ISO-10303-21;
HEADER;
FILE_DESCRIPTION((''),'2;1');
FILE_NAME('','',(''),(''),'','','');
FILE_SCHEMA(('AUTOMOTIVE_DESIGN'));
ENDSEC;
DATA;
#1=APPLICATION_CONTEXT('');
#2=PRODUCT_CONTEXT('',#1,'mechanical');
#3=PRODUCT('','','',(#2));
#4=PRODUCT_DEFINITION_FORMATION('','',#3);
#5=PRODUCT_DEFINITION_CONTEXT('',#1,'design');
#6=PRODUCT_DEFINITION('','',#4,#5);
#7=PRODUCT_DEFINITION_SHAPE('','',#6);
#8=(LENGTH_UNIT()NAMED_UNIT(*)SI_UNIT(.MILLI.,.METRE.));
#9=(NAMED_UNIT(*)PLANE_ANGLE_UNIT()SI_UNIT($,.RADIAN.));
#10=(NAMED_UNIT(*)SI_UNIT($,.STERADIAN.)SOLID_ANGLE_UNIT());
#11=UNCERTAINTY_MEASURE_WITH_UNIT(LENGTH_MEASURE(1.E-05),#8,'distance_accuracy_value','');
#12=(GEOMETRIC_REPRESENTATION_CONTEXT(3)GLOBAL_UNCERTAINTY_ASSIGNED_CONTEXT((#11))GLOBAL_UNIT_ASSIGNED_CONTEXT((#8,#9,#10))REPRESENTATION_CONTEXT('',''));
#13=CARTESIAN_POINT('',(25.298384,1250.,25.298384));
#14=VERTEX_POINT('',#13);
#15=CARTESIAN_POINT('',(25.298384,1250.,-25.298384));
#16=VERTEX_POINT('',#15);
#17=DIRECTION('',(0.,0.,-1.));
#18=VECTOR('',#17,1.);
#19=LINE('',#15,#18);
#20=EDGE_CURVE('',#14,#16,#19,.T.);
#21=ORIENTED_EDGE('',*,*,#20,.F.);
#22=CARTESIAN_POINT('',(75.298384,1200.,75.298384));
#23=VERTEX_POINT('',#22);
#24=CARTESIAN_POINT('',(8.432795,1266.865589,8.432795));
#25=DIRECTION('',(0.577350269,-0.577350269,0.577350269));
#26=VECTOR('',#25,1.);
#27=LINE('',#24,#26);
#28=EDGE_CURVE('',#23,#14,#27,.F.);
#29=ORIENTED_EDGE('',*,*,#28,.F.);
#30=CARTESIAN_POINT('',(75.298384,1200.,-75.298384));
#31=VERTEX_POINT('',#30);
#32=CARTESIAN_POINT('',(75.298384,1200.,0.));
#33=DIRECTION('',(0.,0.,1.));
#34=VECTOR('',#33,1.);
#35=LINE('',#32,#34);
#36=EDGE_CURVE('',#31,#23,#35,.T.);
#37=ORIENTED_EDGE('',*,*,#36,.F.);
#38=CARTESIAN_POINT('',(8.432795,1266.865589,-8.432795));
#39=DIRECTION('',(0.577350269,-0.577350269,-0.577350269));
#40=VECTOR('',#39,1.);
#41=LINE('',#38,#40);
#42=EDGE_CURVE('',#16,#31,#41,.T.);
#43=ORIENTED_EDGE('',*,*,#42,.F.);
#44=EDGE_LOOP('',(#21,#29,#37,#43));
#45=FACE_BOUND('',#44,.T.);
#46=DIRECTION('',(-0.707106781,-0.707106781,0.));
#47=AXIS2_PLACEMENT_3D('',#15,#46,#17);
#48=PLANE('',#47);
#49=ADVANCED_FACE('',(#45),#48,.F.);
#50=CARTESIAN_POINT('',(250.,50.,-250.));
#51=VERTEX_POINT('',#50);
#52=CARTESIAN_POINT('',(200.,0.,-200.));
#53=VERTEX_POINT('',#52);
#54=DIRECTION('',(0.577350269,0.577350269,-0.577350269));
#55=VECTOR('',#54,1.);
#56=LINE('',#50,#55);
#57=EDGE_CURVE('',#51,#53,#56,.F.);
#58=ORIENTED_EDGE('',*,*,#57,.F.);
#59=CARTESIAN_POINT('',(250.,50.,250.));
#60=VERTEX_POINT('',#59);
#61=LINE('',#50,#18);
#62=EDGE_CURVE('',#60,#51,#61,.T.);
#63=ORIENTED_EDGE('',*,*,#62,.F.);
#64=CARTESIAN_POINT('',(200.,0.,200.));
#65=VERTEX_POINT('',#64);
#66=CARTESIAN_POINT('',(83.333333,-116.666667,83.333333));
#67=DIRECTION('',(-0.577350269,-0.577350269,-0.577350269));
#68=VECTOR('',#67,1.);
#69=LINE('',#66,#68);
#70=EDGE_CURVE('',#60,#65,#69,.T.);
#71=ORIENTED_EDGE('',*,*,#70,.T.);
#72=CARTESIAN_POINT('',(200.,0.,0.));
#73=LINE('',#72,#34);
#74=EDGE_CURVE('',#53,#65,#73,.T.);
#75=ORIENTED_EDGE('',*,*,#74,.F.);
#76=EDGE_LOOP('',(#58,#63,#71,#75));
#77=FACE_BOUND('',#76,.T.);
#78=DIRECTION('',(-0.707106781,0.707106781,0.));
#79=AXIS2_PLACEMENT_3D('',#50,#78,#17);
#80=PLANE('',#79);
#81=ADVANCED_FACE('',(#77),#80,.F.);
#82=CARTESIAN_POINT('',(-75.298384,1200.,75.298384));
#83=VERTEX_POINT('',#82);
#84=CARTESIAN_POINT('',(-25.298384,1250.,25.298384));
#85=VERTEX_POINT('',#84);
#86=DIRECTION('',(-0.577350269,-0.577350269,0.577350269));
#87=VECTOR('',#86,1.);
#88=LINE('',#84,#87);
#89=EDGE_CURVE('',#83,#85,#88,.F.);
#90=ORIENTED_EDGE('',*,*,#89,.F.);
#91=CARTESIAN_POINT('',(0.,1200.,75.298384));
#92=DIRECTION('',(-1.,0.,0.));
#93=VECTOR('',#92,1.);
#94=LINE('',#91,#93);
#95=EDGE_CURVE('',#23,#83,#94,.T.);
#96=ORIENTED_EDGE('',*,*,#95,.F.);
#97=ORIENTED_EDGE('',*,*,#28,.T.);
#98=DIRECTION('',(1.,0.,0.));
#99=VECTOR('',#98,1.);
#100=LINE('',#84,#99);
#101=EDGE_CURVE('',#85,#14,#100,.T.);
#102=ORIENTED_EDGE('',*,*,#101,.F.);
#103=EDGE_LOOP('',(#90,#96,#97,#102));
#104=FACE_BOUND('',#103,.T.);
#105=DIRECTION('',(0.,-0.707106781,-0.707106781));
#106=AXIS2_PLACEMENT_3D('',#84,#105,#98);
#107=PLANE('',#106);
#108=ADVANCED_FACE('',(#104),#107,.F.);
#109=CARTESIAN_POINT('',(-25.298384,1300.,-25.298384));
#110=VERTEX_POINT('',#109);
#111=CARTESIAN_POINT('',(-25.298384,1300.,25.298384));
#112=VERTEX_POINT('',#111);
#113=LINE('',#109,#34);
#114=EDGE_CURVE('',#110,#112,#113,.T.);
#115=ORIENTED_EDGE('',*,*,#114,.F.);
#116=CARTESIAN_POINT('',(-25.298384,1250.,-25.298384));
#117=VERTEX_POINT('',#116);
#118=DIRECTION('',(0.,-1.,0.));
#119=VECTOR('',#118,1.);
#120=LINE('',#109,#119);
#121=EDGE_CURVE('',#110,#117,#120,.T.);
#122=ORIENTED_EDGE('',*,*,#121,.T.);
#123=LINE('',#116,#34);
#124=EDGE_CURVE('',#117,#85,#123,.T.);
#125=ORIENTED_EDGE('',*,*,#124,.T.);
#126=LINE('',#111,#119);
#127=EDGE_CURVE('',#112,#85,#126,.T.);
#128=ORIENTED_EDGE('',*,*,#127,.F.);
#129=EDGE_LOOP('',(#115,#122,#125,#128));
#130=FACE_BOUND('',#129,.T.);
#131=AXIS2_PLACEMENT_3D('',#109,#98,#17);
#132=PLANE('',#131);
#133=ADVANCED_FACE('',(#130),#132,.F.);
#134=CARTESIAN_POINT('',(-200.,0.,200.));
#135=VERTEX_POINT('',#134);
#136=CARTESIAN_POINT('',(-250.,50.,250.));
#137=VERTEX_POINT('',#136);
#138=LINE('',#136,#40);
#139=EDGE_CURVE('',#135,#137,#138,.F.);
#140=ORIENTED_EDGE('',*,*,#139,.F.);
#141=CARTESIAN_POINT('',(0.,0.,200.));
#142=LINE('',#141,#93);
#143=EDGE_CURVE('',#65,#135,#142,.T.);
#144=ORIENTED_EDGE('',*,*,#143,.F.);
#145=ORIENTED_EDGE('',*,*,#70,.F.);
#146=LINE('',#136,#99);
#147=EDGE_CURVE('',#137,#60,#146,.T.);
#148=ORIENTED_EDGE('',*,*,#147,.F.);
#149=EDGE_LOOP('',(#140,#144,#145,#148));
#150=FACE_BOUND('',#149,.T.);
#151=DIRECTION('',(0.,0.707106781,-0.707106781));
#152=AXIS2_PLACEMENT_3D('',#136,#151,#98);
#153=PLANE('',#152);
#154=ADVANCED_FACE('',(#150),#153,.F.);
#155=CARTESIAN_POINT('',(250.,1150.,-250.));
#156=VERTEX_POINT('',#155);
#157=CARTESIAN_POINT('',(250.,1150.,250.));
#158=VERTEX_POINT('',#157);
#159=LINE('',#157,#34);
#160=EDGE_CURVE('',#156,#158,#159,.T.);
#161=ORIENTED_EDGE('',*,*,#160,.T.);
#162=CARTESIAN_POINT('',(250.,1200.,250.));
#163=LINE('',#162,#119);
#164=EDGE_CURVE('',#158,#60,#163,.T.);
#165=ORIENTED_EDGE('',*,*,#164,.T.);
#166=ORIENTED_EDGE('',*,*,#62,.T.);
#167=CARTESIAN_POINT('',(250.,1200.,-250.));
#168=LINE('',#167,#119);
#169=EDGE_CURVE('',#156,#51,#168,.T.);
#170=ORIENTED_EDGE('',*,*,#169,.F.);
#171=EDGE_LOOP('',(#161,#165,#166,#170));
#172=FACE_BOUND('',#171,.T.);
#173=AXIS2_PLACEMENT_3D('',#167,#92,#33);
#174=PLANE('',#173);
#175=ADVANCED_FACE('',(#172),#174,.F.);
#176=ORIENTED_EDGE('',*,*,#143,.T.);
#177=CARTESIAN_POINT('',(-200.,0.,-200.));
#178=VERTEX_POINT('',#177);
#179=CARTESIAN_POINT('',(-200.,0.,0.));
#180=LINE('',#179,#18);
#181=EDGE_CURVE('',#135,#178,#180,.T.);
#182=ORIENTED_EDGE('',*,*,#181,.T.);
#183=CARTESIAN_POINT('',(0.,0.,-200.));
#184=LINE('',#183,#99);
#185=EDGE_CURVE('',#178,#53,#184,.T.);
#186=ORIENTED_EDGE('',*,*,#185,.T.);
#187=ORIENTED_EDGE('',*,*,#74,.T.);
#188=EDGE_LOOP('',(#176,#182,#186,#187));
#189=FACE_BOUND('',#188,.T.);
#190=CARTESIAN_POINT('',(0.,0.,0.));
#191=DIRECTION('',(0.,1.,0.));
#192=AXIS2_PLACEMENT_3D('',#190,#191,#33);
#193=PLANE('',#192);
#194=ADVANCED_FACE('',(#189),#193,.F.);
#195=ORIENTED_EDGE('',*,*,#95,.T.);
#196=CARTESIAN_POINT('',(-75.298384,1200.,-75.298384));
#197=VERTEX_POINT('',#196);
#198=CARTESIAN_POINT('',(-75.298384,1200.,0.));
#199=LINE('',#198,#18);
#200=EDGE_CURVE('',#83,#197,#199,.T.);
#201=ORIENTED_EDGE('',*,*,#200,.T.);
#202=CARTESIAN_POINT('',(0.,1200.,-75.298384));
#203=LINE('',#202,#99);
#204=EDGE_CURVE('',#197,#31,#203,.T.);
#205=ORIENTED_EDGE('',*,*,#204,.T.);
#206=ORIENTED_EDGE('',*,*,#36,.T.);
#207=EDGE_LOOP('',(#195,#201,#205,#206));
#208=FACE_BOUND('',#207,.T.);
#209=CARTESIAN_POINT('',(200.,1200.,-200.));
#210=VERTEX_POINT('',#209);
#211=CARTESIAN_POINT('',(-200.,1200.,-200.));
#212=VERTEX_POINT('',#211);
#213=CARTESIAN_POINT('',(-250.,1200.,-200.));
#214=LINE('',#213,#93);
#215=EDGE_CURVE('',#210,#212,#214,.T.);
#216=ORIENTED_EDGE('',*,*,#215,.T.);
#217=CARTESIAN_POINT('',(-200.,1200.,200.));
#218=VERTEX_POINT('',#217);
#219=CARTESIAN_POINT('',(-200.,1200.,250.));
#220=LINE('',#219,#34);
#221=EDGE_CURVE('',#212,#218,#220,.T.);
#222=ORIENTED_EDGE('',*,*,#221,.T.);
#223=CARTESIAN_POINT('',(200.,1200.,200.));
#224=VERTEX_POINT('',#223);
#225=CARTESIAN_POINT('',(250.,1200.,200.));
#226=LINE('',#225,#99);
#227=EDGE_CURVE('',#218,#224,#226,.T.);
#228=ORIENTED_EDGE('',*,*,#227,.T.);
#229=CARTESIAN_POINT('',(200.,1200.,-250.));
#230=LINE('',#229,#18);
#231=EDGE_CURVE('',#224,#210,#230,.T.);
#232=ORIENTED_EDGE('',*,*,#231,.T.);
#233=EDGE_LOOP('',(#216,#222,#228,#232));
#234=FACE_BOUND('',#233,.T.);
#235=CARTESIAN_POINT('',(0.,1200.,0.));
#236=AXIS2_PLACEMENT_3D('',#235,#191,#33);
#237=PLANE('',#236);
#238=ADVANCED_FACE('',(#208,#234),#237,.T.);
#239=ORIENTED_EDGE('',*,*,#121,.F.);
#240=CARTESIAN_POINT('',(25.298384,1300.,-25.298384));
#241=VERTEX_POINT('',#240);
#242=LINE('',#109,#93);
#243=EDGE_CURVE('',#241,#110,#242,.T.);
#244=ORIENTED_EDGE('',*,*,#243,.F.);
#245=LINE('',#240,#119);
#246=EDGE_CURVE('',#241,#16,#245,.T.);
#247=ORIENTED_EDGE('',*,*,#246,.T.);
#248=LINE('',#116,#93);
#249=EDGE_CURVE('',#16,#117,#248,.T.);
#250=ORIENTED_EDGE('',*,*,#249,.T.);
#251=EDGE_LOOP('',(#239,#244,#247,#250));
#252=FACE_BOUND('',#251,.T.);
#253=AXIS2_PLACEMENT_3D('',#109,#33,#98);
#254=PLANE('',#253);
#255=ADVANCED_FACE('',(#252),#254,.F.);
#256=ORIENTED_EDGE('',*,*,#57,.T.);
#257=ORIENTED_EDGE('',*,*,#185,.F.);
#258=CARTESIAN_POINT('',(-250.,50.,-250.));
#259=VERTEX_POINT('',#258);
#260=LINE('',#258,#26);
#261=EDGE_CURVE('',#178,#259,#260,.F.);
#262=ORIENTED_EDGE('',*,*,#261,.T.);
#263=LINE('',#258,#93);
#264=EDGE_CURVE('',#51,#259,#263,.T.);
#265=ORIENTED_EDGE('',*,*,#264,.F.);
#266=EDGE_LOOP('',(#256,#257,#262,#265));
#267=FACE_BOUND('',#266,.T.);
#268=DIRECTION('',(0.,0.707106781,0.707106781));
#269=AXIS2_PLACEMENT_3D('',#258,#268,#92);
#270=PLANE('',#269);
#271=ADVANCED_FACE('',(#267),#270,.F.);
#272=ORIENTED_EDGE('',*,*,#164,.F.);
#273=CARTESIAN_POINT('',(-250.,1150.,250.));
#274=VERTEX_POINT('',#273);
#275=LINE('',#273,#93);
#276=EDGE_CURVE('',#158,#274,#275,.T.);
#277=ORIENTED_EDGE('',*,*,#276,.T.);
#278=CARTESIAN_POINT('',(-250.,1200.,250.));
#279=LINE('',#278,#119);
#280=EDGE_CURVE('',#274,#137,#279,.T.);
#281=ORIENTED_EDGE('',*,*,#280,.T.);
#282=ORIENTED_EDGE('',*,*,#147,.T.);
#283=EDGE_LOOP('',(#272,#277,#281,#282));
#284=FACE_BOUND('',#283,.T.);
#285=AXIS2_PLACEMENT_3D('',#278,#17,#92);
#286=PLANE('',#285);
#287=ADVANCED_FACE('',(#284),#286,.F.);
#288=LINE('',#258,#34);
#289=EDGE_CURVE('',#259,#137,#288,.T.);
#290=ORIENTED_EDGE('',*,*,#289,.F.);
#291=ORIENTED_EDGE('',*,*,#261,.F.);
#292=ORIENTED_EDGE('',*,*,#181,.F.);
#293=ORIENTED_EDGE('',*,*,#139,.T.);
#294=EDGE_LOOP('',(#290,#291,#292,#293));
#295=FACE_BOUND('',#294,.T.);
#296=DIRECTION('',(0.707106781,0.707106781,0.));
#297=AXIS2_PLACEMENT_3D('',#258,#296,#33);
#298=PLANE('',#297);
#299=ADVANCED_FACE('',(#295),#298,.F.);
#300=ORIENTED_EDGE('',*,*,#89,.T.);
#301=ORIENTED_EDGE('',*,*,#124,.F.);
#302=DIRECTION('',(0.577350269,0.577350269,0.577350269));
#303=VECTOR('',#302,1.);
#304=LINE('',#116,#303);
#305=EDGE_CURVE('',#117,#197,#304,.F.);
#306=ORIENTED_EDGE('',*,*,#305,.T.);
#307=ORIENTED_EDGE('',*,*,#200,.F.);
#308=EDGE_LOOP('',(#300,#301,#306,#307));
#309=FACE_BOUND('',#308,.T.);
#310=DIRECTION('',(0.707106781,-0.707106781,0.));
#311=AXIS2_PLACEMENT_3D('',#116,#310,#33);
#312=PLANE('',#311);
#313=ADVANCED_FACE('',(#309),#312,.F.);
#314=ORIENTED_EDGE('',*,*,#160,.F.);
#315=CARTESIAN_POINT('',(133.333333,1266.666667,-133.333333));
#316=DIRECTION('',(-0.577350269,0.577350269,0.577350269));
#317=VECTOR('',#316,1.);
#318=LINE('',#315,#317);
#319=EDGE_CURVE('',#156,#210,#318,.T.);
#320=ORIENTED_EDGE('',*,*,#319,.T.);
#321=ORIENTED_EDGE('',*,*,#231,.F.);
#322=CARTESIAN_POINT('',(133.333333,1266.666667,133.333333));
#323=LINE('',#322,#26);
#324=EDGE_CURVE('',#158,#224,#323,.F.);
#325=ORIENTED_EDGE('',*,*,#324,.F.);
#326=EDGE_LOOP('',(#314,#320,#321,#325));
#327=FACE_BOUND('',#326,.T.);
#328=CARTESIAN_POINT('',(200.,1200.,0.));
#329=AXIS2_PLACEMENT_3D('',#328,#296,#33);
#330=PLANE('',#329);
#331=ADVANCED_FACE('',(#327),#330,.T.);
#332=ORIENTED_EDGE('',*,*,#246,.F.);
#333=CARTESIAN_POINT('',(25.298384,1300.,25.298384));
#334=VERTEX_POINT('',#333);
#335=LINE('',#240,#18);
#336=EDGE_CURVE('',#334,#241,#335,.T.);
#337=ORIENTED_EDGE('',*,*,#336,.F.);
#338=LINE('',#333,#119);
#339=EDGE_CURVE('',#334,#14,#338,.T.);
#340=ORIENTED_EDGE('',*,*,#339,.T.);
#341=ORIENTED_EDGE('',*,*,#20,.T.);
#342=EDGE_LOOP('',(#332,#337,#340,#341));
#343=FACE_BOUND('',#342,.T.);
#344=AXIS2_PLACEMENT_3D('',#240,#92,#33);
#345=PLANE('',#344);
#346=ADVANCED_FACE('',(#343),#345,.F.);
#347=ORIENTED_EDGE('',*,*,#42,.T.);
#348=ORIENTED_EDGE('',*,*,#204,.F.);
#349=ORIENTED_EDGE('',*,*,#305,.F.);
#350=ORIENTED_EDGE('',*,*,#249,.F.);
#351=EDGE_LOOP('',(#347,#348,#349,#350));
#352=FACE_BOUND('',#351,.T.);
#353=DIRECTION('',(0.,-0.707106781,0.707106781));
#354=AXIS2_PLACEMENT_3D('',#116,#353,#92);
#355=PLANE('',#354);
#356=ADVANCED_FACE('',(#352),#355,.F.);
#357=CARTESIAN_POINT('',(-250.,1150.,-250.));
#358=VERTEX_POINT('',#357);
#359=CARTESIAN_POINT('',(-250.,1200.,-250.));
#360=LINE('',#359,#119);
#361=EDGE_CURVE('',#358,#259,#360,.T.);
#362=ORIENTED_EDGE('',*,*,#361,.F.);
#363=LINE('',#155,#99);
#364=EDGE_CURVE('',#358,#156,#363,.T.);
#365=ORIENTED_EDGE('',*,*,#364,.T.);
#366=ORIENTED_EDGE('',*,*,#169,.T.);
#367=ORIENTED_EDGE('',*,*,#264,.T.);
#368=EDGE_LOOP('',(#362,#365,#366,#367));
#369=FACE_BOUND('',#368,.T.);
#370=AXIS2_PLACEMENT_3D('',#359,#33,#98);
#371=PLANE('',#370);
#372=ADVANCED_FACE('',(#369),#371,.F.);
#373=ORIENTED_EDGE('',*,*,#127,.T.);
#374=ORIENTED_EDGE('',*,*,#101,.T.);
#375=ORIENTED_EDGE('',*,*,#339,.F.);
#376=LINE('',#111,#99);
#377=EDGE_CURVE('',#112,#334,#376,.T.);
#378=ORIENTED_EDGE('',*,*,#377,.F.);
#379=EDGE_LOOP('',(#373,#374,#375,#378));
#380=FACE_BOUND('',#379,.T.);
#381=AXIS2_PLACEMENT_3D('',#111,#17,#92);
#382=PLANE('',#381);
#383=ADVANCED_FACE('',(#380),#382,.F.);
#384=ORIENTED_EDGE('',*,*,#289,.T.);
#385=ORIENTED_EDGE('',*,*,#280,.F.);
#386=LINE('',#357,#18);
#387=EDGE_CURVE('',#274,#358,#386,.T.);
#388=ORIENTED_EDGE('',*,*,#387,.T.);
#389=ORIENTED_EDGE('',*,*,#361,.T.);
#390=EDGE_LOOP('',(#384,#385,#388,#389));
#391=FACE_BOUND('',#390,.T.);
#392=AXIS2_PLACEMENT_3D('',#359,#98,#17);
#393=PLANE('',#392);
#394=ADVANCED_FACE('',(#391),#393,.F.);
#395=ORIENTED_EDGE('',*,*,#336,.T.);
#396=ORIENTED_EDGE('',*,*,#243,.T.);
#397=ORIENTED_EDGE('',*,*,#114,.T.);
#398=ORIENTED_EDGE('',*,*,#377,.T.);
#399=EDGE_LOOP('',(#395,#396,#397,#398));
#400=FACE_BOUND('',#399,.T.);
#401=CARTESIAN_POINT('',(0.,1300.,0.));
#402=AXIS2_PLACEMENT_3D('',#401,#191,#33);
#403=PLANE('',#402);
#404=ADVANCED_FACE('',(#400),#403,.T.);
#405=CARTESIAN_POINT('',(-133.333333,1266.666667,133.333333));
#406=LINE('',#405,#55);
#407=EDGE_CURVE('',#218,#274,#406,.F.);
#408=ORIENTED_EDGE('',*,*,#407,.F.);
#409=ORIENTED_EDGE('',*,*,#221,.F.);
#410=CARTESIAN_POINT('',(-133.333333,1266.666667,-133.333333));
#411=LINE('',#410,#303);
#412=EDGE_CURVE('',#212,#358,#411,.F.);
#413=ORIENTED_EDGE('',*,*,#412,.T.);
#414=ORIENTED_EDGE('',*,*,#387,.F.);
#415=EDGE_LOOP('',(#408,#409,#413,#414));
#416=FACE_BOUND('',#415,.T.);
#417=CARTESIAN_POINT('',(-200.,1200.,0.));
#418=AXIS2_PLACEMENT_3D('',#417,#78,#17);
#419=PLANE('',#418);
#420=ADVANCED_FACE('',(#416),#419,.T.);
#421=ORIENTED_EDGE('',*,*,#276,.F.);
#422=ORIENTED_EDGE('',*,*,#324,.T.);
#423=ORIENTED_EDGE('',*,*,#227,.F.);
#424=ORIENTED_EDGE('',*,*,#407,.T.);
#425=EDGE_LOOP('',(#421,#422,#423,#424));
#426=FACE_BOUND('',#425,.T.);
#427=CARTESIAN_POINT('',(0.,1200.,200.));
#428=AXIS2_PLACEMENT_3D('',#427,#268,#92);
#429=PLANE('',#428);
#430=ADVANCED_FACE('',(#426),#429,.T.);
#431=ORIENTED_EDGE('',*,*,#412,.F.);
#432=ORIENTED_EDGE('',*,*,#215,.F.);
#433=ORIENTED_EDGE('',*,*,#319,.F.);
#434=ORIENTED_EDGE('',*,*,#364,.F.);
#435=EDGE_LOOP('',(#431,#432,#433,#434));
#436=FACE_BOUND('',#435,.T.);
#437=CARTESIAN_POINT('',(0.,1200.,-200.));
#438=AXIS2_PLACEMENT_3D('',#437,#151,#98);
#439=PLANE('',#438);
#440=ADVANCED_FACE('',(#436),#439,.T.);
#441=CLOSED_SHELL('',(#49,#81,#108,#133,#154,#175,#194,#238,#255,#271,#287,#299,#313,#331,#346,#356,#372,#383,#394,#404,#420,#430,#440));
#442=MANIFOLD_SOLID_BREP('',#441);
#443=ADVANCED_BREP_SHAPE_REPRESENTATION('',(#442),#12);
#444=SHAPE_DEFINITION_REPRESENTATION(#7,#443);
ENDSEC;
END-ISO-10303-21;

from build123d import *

# Parameters (mm, degrees)
SKETCH1_W           = 500
SKETCH1_H           = 500
BOSS_EXTRUDE1_DEPTH = 1200
SKETCH2_W           = 50.59676849
SKETCH2_H           = 50.59676849
BOSS_EXTRUDE2_DEPTH = 100
CHAMFER1_SIZE       = 50


with BuildPart() as part:
    # Sketch1 → Boss-Extrude1 (new body)
    with BuildSketch(Plane(origin=(0, 0, 0), x_dir=(1, 0, 0), z_dir=(0, 1, 0))):
        Rectangle(SKETCH1_W, SKETCH1_H)
    extrude(amount=BOSS_EXTRUDE1_DEPTH)

    # Sketch2 → Boss-Extrude2 (add)
    with BuildSketch(Plane(origin=(0, 1200, 0), x_dir=(1, 0, 0), z_dir=(0, 1, 0))):
        Rectangle(SKETCH2_W, SKETCH2_H)
    extrude(amount=BOSS_EXTRUDE2_DEPTH)

    # Chamfer1
    chamfer1_edges = [part.edges().sort_by_distance(p)[0] for p in [
        (-250, 1200, 0),
        (25.298384245, 1200, 0),
        (0, 1200, -25.298384245),
        (-25.298384245, 1200, 0),
        (0, 1200, 250),
        (0, 1200, 25.298384245),
        (250, 1200, 0),
        (0, 0, 250),
        (-250, 0, 0),
        (0, 0, -250),
        (250, 0, 0),
        (0, 1200, -250),
    ]]
    chamfer(chamfer1_edges, length=CHAMFER1_SIZE)


solid = part.part
